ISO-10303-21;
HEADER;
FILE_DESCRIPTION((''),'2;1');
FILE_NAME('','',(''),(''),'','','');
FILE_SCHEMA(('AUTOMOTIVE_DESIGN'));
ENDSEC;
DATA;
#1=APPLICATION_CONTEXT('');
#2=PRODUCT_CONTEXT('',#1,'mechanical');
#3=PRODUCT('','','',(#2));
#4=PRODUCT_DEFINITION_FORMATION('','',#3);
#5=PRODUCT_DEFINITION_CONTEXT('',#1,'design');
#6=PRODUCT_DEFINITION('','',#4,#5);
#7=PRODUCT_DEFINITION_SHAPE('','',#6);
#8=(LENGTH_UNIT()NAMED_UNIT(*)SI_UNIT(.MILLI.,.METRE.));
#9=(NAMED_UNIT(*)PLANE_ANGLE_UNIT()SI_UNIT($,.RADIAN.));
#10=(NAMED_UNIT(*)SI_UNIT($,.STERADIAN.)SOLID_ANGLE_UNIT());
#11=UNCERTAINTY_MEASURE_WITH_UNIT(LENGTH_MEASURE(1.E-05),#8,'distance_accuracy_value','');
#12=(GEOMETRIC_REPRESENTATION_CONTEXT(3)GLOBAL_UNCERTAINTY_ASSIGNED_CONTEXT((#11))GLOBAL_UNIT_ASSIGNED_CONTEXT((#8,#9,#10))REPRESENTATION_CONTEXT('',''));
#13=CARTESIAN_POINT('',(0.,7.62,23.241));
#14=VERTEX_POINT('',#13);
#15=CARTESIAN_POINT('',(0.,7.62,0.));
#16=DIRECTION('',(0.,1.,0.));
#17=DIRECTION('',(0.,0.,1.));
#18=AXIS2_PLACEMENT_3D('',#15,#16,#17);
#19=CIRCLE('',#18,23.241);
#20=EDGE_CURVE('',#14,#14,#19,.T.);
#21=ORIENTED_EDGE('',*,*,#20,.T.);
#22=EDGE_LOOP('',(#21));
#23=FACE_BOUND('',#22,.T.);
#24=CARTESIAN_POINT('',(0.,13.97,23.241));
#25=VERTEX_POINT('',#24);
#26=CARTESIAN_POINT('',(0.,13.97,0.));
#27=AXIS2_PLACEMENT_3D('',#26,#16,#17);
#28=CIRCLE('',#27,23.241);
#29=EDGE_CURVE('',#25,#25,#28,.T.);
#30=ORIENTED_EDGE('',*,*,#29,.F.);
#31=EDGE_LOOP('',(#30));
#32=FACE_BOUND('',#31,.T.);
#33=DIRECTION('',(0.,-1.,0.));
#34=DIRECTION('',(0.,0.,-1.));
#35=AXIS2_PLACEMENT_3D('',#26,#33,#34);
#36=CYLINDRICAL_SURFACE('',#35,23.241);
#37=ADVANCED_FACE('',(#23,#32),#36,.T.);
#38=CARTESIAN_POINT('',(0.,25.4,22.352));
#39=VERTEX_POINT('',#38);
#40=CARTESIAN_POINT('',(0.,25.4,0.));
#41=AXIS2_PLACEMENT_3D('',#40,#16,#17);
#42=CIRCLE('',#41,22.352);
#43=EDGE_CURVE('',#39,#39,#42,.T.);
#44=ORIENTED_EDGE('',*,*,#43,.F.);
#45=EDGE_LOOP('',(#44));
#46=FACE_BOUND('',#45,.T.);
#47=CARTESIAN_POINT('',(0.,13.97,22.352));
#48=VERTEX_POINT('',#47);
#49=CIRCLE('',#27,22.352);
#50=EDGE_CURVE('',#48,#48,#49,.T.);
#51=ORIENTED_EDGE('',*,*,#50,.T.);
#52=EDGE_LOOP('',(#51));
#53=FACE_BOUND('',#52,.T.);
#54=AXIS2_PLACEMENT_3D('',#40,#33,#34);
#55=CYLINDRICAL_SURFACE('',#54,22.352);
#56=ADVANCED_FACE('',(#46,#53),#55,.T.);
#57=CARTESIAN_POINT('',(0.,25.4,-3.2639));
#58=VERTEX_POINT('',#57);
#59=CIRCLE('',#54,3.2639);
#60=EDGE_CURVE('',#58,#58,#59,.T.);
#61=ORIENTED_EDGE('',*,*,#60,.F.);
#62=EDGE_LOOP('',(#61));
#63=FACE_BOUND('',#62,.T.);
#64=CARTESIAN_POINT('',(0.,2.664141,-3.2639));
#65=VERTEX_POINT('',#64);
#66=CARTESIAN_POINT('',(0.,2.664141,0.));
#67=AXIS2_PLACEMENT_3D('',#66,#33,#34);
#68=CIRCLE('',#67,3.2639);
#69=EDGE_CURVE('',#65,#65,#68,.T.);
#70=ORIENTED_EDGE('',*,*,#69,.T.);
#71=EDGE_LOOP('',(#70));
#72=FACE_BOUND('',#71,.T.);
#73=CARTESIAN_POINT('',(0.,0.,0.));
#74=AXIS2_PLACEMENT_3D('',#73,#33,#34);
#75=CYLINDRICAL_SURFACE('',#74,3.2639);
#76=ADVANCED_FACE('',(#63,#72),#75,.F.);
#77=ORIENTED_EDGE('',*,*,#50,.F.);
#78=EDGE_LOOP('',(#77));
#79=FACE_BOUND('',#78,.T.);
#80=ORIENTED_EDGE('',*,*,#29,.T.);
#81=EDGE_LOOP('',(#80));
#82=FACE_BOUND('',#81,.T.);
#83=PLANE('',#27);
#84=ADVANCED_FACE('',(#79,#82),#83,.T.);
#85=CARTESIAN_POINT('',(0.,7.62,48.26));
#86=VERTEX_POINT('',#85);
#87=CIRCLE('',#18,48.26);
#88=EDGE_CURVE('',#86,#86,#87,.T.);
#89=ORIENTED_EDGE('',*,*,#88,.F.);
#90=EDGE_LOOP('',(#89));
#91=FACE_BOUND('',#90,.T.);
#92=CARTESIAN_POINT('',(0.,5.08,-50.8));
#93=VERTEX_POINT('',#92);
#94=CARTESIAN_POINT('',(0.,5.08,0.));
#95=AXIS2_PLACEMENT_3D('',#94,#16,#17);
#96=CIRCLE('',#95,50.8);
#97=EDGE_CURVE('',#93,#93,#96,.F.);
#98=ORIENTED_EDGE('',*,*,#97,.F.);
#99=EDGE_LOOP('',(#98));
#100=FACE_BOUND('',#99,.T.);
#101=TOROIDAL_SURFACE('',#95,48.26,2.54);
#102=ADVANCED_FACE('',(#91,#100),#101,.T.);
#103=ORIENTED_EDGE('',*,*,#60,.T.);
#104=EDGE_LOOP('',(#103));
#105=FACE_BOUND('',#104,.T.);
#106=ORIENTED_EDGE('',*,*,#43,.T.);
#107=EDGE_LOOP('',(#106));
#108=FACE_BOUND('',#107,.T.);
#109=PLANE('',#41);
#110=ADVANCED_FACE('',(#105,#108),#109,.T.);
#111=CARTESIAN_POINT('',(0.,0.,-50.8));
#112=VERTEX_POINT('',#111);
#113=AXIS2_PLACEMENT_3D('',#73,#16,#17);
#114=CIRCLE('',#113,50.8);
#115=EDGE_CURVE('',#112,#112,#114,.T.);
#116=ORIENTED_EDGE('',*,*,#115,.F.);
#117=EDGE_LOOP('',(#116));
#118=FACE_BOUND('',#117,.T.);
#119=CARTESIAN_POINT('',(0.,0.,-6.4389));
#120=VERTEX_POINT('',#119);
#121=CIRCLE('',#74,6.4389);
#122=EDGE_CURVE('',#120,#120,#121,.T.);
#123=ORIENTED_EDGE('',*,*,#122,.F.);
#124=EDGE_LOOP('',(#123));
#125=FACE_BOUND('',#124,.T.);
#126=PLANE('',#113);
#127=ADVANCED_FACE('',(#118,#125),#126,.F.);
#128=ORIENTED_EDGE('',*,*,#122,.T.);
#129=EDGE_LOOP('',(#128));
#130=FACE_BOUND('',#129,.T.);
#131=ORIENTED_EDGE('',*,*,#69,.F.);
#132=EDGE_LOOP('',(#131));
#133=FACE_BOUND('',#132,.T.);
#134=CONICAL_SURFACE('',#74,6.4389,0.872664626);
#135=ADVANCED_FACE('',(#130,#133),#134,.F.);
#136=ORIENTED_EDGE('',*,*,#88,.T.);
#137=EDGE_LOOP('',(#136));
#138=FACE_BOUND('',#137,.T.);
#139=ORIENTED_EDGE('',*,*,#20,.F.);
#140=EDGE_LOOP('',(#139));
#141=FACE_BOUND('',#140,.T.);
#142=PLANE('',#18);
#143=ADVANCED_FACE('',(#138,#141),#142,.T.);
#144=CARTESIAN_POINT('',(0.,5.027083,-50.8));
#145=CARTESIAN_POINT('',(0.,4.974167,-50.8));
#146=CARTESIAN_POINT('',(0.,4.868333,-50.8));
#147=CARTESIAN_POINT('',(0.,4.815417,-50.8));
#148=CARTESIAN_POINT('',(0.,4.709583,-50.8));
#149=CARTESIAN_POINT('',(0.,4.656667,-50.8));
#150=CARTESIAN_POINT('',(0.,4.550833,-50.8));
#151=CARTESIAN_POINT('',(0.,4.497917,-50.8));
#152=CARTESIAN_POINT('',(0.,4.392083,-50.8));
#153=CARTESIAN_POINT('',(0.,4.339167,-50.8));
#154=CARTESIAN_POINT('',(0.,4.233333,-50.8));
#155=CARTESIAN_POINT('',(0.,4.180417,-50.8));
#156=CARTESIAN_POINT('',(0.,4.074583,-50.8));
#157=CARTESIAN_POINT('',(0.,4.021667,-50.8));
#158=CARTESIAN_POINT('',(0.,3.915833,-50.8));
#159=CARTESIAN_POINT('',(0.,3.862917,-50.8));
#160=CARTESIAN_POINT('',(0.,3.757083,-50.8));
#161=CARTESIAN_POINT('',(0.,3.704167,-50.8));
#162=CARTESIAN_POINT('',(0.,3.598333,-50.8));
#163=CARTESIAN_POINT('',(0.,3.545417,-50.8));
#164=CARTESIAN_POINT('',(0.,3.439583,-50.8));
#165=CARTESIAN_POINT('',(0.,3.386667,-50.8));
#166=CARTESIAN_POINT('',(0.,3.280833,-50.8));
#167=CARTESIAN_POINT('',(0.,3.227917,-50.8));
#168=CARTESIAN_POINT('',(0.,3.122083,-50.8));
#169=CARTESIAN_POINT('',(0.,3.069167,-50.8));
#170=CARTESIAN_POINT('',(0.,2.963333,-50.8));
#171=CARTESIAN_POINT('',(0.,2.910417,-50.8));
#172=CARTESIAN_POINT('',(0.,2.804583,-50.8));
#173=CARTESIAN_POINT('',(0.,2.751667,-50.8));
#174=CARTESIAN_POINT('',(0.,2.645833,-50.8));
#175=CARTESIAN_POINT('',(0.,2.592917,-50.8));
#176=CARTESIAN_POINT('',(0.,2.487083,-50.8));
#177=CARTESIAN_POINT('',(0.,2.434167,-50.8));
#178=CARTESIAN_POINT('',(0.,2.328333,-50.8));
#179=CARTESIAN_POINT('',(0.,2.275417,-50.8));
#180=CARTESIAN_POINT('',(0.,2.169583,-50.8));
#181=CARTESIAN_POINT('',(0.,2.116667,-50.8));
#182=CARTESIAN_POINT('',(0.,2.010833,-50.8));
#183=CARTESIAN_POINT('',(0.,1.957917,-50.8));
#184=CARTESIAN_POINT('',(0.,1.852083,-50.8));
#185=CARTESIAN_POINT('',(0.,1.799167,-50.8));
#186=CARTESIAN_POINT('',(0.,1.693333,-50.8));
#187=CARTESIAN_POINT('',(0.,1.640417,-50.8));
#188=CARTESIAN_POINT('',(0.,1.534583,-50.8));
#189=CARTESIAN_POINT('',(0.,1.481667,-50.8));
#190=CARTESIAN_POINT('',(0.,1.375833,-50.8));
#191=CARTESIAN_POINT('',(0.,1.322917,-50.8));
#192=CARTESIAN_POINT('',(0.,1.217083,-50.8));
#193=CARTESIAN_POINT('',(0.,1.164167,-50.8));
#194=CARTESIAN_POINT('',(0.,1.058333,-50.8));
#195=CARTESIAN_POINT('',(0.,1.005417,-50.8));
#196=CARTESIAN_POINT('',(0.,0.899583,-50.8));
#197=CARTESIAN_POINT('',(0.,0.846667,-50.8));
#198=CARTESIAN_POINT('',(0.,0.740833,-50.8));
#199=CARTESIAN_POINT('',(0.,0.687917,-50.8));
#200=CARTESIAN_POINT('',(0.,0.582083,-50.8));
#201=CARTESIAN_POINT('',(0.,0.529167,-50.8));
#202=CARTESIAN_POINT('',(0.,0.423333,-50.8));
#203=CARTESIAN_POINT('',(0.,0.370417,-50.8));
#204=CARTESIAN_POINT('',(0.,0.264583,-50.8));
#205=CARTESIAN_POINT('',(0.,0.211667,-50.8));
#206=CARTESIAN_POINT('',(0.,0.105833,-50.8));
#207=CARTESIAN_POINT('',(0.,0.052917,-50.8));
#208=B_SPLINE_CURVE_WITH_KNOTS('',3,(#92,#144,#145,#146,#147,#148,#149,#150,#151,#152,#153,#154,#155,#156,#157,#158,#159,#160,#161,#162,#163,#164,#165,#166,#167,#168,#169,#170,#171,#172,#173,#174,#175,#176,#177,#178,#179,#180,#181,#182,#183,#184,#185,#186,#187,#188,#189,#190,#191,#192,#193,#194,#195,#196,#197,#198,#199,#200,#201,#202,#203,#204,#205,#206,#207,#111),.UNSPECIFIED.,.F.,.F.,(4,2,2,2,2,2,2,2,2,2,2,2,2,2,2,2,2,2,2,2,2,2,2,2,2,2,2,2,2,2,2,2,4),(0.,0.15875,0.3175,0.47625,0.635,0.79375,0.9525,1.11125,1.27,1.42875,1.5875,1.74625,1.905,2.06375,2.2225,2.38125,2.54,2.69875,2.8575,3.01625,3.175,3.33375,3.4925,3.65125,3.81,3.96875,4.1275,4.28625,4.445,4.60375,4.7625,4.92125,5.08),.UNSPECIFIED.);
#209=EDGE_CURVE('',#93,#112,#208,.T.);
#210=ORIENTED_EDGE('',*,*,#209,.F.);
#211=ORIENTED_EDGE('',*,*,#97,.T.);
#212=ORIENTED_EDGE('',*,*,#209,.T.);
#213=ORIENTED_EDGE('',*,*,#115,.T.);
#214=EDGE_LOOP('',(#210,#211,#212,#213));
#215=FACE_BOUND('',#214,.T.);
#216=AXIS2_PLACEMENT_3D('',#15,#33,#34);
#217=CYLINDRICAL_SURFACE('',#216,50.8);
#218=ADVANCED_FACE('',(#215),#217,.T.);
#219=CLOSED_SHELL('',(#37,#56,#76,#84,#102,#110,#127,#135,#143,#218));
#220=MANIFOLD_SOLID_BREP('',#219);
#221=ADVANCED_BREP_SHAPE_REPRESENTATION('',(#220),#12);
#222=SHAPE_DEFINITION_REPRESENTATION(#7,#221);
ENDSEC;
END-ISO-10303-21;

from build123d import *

# Parameters (mm, degrees)
SKETCH1_R                                           = 50.8
SKETCH1_R_2                                         = 23.241
BOSS_EXTRUDE4_DEPTH                                 = 7.62
SKETCH1_6_R                                         = 23.241
SKETCH1_6_R_2                                       = 22.352
BOSS_EXTRUDE5_DEPTH                                 = 13.97
SKETCH1_7_R                                         = 22.352
BOSS_EXTRUDE6_DEPTH                                 = 25.4
CSK_FOR_1_4_FLAT_HEAD_MACHINE_SCREW_100_D           = 6.5278
CSK_FOR_1_4_FLAT_HEAD_MACHINE_SCREW_100_CSINK_D     = 12.8778
CSK_FOR_1_4_FLAT_HEAD_MACHINE_SCREW_100_CSINK_ANGLE = 100
FILLET3_R                                           = 2.54


with BuildPart() as part:
    # Sketch1 → Boss-Extrude4 (new body)
    with BuildSketch(Plane(origin=(0, 0, 0), x_dir=(1, 0, 0), z_dir=(0, 1, 0))):
        Circle(SKETCH1_R)
        Circle(SKETCH1_R_2, mode=Mode.SUBTRACT)
    extrude(amount=BOSS_EXTRUDE4_DEPTH)

    # Sketch1<6> → Boss-Extrude5 (add)
    with BuildSketch(Plane(origin=(0, 0, 0), x_dir=(1, 0, 0), z_dir=(0, 1, 0))):
        Circle(SKETCH1_6_R)
        Circle(SKETCH1_6_R_2, mode=Mode.SUBTRACT)
    extrude(amount=BOSS_EXTRUDE5_DEPTH)

    # Sketch1<7> → Boss-Extrude6 (add)
    with BuildSketch(Plane(origin=(0, 0, 0), x_dir=(1, 0, 0), z_dir=(0, 1, 0))):
        Circle(SKETCH1_7_R)
    extrude(amount=BOSS_EXTRUDE6_DEPTH)

    # CSK for 1/4 Flat Head Machine Screw (100)1 (through all)
    with Locations(Plane(origin=(0, 0, 0), x_dir=(-1, 0, 0), z_dir=(0, -1, 0))):
        with Locations((0, 0)):
            CounterSinkHole(CSK_FOR_1_4_FLAT_HEAD_MACHINE_SCREW_100_D / 2, CSK_FOR_1_4_FLAT_HEAD_MACHINE_SCREW_100_CSINK_D / 2, counter_sink_angle=CSK_FOR_1_4_FLAT_HEAD_MACHINE_SCREW_100_CSINK_ANGLE)

    # Fillet3
    fillet3_edges = [part.edges().sort_by_distance(p)[0] for p in [
        (-50.8, 7.62, 0),
    ]]
    fillet(fillet3_edges, radius=FILLET3_R)


solid = part.part
